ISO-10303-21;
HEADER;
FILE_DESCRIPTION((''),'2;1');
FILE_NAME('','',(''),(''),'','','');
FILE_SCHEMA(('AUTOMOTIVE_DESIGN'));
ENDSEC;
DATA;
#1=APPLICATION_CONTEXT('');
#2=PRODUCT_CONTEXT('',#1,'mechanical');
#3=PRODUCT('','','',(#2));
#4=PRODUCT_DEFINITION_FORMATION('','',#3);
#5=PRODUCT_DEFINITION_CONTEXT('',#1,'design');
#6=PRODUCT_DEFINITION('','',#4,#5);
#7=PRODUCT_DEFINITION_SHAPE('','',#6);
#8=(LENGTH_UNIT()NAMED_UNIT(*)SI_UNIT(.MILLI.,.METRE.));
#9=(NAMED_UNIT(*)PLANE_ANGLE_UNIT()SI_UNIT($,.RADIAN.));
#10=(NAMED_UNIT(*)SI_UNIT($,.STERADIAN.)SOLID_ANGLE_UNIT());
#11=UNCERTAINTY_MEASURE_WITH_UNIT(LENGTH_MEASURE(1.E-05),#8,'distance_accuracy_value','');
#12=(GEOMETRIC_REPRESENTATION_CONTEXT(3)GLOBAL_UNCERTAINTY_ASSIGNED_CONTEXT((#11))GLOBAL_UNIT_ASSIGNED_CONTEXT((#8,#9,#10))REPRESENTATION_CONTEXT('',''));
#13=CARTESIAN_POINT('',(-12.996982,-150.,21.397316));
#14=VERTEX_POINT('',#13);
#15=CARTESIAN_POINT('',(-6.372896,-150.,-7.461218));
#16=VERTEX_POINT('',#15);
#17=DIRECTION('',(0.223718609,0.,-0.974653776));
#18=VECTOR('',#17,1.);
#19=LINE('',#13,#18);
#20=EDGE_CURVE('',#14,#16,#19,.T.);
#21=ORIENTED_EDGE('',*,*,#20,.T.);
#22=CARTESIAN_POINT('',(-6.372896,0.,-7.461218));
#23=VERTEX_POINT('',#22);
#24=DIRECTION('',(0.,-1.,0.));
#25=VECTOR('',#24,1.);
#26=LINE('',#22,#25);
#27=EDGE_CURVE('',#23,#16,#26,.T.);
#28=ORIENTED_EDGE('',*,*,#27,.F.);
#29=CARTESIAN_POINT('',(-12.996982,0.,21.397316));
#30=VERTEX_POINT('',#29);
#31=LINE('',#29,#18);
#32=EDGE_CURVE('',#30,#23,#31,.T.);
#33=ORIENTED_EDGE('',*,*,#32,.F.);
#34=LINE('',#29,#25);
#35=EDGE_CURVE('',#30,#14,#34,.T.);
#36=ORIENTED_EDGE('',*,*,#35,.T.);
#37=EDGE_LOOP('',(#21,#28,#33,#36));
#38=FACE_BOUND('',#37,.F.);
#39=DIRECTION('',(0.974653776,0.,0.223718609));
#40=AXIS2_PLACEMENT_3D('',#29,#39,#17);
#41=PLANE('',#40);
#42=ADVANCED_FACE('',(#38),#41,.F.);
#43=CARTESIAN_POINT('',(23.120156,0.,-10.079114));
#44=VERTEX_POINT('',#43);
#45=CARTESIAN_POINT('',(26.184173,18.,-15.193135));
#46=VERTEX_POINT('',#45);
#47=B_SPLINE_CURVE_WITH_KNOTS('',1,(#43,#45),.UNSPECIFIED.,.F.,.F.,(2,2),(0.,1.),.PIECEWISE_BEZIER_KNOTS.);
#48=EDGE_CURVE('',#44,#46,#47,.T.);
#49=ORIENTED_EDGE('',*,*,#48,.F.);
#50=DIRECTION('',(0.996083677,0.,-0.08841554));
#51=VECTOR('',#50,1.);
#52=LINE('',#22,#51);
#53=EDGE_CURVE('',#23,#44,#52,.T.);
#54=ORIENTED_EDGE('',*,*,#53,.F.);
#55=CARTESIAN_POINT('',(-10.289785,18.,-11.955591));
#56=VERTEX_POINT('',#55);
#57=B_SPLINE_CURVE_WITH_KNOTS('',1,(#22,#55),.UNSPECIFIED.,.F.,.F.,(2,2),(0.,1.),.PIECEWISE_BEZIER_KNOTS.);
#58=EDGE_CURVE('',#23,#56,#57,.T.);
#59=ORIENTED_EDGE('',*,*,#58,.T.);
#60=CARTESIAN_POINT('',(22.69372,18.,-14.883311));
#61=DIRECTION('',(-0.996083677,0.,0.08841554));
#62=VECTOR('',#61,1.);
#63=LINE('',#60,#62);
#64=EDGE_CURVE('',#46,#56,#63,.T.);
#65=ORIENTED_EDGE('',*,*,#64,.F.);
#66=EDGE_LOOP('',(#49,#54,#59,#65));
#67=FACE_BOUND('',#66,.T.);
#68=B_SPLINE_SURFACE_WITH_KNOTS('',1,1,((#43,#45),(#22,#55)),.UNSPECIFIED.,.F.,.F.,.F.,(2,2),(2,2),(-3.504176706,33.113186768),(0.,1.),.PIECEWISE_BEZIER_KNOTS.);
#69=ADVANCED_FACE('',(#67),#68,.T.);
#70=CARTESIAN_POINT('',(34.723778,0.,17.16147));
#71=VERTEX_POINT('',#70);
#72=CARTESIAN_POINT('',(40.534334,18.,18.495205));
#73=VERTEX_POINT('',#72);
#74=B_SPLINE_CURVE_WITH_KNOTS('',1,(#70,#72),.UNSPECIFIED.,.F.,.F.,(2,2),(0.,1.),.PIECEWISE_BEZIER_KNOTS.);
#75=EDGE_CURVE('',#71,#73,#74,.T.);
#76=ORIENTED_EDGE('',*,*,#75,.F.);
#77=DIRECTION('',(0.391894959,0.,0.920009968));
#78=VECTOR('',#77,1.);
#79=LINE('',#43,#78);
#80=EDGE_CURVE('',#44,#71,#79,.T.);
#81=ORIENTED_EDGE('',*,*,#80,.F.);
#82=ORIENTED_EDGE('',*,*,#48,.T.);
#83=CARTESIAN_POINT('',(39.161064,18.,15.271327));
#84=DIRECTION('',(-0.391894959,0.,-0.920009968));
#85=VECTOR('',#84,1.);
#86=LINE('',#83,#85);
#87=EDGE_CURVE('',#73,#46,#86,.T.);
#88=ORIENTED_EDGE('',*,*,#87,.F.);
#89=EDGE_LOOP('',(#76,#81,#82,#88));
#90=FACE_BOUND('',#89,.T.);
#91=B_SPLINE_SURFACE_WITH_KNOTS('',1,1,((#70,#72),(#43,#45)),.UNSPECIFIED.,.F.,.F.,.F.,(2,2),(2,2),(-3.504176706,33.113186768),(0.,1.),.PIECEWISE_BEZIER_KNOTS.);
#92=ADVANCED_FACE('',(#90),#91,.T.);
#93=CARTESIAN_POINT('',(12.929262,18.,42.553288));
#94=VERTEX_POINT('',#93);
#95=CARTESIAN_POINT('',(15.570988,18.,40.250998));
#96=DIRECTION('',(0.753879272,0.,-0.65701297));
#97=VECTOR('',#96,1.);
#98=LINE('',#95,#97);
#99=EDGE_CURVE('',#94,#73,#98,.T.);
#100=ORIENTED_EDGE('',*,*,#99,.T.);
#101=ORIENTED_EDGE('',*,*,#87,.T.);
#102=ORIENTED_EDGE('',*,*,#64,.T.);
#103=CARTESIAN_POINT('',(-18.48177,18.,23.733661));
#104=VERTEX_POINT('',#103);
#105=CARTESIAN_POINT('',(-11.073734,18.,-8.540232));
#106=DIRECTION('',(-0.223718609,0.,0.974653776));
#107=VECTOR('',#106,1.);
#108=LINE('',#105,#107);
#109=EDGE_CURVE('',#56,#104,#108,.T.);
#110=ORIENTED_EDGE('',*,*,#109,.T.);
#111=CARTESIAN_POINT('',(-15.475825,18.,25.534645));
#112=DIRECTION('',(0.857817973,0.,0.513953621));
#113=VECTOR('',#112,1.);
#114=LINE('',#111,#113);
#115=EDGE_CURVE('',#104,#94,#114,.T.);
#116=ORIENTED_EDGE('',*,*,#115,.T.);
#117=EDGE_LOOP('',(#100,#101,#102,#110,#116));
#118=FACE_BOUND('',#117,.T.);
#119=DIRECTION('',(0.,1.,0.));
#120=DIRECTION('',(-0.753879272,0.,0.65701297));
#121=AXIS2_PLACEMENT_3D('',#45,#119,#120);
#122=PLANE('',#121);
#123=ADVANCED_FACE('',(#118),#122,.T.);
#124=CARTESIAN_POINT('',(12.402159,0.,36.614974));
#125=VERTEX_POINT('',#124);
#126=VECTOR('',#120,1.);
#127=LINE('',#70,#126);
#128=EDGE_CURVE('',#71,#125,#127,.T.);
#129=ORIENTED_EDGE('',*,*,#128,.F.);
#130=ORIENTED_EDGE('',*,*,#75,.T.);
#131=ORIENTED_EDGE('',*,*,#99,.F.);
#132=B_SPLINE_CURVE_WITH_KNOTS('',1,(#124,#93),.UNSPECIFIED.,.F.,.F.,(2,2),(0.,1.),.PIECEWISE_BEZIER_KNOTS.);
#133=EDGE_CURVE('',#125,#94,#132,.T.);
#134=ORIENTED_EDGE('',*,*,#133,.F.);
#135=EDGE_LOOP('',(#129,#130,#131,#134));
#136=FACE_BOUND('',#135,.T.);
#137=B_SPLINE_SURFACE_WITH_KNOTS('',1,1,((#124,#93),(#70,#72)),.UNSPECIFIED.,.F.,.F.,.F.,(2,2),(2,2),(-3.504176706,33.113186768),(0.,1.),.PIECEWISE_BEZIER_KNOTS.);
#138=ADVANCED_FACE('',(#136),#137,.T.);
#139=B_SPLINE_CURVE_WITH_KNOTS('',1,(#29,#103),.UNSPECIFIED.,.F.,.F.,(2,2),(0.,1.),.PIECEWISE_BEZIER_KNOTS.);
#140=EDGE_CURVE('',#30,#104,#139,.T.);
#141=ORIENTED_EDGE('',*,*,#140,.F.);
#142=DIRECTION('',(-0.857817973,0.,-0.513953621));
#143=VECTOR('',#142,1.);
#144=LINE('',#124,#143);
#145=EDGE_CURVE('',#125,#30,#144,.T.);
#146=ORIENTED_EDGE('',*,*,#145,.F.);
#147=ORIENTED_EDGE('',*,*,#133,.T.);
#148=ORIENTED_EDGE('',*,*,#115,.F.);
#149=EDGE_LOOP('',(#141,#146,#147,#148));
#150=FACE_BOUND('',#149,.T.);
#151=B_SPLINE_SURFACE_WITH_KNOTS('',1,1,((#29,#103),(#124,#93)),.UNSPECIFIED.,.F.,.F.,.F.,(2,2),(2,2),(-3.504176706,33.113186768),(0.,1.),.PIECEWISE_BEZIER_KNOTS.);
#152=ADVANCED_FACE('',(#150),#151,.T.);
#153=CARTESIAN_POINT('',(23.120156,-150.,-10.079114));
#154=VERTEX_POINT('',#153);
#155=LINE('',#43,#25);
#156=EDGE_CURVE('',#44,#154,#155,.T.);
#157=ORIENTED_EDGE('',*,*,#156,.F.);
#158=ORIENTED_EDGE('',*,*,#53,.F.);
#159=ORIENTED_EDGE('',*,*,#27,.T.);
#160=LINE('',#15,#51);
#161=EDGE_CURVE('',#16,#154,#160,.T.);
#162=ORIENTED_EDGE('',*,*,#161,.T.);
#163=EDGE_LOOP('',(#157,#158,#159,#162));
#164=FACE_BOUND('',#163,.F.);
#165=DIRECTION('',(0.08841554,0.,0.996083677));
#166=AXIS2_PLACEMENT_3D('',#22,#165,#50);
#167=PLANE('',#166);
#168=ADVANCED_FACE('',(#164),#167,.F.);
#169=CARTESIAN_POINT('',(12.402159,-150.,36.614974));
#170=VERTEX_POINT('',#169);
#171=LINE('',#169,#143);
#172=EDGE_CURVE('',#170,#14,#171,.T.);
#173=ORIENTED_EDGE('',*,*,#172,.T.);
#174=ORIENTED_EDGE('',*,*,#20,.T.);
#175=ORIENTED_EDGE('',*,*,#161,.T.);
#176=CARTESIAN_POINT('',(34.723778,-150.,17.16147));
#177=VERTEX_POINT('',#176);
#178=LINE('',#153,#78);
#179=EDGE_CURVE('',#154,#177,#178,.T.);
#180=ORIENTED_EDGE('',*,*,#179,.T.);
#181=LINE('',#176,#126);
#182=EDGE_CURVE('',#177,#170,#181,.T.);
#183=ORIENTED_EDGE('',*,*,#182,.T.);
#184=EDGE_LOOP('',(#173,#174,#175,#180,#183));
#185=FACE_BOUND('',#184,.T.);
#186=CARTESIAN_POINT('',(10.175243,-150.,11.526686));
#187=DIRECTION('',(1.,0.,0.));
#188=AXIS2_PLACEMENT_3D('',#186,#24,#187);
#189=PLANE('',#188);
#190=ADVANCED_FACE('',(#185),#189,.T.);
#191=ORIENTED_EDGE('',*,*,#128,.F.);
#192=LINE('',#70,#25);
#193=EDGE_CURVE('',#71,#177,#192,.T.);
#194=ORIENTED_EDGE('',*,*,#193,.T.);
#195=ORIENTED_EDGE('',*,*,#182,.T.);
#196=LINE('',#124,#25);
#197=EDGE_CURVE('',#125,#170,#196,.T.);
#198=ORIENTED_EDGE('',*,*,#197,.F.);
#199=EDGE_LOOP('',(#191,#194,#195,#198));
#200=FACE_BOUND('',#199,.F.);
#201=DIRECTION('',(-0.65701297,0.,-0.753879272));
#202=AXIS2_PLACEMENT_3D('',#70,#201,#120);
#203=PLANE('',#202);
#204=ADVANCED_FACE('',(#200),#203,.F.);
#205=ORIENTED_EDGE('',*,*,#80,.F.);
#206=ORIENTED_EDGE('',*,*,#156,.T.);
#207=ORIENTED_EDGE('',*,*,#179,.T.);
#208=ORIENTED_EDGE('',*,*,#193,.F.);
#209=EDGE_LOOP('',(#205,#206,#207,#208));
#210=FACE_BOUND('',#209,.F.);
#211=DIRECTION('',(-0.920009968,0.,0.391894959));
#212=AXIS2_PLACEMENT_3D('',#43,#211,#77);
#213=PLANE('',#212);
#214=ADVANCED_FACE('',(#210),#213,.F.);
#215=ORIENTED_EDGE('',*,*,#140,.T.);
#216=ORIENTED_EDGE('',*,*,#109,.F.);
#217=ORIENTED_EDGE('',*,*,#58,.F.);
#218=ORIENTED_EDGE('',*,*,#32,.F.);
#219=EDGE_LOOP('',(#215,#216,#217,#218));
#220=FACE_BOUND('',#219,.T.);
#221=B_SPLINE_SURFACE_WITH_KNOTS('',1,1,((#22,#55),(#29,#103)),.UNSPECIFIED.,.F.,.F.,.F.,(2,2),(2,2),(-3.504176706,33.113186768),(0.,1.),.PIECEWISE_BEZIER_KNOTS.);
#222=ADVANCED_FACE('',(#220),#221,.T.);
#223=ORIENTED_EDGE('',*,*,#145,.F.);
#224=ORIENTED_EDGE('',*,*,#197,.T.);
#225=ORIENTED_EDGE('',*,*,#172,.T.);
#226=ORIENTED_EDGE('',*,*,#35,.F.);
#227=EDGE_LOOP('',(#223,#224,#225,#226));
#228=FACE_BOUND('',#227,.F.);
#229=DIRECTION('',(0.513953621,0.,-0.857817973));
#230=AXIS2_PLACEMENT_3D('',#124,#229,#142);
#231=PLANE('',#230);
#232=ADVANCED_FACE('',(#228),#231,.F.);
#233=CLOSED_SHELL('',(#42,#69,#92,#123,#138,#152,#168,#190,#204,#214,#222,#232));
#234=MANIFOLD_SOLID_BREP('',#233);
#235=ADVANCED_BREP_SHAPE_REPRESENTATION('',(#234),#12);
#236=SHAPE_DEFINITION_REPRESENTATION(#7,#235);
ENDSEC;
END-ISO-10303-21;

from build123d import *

# Parameters (mm, degrees)
F1_DEPTH = 150
F2_DEPTH = 18
F2_TAPER = -15


with BuildPart() as f1:
    # F0 (on Front) → F1 (new body)
    with BuildSketch(Plane.XZ):
        Polygon((34.7237776512, 17.161470202), (12.402158686, 36.6149738367), (-12.9969823127, 21.3973158888), (-6.3728957698, -7.4612175868), (23.1201558568, -10.0791141923), align=None)
    extrude(amount=F1_DEPTH)

    # F1_face (on face) → F2 (join)
    with BuildSketch(Plane(origin=(10.1752428223, 0, 11.5266856297), x_dir=(1, 0, 0), z_dir=(0, 1, 0))):
        Polygon((12.9449130346, 21.605799822), (-16.5481385921, 18.9879032165), (-23.172225135, -9.8706302592), (2.2269158637, -25.088288207), (24.5485348289, -5.6347845723), align=None)
    extrude(amount=F2_DEPTH, taper=F2_TAPER)


solid = f1.part
